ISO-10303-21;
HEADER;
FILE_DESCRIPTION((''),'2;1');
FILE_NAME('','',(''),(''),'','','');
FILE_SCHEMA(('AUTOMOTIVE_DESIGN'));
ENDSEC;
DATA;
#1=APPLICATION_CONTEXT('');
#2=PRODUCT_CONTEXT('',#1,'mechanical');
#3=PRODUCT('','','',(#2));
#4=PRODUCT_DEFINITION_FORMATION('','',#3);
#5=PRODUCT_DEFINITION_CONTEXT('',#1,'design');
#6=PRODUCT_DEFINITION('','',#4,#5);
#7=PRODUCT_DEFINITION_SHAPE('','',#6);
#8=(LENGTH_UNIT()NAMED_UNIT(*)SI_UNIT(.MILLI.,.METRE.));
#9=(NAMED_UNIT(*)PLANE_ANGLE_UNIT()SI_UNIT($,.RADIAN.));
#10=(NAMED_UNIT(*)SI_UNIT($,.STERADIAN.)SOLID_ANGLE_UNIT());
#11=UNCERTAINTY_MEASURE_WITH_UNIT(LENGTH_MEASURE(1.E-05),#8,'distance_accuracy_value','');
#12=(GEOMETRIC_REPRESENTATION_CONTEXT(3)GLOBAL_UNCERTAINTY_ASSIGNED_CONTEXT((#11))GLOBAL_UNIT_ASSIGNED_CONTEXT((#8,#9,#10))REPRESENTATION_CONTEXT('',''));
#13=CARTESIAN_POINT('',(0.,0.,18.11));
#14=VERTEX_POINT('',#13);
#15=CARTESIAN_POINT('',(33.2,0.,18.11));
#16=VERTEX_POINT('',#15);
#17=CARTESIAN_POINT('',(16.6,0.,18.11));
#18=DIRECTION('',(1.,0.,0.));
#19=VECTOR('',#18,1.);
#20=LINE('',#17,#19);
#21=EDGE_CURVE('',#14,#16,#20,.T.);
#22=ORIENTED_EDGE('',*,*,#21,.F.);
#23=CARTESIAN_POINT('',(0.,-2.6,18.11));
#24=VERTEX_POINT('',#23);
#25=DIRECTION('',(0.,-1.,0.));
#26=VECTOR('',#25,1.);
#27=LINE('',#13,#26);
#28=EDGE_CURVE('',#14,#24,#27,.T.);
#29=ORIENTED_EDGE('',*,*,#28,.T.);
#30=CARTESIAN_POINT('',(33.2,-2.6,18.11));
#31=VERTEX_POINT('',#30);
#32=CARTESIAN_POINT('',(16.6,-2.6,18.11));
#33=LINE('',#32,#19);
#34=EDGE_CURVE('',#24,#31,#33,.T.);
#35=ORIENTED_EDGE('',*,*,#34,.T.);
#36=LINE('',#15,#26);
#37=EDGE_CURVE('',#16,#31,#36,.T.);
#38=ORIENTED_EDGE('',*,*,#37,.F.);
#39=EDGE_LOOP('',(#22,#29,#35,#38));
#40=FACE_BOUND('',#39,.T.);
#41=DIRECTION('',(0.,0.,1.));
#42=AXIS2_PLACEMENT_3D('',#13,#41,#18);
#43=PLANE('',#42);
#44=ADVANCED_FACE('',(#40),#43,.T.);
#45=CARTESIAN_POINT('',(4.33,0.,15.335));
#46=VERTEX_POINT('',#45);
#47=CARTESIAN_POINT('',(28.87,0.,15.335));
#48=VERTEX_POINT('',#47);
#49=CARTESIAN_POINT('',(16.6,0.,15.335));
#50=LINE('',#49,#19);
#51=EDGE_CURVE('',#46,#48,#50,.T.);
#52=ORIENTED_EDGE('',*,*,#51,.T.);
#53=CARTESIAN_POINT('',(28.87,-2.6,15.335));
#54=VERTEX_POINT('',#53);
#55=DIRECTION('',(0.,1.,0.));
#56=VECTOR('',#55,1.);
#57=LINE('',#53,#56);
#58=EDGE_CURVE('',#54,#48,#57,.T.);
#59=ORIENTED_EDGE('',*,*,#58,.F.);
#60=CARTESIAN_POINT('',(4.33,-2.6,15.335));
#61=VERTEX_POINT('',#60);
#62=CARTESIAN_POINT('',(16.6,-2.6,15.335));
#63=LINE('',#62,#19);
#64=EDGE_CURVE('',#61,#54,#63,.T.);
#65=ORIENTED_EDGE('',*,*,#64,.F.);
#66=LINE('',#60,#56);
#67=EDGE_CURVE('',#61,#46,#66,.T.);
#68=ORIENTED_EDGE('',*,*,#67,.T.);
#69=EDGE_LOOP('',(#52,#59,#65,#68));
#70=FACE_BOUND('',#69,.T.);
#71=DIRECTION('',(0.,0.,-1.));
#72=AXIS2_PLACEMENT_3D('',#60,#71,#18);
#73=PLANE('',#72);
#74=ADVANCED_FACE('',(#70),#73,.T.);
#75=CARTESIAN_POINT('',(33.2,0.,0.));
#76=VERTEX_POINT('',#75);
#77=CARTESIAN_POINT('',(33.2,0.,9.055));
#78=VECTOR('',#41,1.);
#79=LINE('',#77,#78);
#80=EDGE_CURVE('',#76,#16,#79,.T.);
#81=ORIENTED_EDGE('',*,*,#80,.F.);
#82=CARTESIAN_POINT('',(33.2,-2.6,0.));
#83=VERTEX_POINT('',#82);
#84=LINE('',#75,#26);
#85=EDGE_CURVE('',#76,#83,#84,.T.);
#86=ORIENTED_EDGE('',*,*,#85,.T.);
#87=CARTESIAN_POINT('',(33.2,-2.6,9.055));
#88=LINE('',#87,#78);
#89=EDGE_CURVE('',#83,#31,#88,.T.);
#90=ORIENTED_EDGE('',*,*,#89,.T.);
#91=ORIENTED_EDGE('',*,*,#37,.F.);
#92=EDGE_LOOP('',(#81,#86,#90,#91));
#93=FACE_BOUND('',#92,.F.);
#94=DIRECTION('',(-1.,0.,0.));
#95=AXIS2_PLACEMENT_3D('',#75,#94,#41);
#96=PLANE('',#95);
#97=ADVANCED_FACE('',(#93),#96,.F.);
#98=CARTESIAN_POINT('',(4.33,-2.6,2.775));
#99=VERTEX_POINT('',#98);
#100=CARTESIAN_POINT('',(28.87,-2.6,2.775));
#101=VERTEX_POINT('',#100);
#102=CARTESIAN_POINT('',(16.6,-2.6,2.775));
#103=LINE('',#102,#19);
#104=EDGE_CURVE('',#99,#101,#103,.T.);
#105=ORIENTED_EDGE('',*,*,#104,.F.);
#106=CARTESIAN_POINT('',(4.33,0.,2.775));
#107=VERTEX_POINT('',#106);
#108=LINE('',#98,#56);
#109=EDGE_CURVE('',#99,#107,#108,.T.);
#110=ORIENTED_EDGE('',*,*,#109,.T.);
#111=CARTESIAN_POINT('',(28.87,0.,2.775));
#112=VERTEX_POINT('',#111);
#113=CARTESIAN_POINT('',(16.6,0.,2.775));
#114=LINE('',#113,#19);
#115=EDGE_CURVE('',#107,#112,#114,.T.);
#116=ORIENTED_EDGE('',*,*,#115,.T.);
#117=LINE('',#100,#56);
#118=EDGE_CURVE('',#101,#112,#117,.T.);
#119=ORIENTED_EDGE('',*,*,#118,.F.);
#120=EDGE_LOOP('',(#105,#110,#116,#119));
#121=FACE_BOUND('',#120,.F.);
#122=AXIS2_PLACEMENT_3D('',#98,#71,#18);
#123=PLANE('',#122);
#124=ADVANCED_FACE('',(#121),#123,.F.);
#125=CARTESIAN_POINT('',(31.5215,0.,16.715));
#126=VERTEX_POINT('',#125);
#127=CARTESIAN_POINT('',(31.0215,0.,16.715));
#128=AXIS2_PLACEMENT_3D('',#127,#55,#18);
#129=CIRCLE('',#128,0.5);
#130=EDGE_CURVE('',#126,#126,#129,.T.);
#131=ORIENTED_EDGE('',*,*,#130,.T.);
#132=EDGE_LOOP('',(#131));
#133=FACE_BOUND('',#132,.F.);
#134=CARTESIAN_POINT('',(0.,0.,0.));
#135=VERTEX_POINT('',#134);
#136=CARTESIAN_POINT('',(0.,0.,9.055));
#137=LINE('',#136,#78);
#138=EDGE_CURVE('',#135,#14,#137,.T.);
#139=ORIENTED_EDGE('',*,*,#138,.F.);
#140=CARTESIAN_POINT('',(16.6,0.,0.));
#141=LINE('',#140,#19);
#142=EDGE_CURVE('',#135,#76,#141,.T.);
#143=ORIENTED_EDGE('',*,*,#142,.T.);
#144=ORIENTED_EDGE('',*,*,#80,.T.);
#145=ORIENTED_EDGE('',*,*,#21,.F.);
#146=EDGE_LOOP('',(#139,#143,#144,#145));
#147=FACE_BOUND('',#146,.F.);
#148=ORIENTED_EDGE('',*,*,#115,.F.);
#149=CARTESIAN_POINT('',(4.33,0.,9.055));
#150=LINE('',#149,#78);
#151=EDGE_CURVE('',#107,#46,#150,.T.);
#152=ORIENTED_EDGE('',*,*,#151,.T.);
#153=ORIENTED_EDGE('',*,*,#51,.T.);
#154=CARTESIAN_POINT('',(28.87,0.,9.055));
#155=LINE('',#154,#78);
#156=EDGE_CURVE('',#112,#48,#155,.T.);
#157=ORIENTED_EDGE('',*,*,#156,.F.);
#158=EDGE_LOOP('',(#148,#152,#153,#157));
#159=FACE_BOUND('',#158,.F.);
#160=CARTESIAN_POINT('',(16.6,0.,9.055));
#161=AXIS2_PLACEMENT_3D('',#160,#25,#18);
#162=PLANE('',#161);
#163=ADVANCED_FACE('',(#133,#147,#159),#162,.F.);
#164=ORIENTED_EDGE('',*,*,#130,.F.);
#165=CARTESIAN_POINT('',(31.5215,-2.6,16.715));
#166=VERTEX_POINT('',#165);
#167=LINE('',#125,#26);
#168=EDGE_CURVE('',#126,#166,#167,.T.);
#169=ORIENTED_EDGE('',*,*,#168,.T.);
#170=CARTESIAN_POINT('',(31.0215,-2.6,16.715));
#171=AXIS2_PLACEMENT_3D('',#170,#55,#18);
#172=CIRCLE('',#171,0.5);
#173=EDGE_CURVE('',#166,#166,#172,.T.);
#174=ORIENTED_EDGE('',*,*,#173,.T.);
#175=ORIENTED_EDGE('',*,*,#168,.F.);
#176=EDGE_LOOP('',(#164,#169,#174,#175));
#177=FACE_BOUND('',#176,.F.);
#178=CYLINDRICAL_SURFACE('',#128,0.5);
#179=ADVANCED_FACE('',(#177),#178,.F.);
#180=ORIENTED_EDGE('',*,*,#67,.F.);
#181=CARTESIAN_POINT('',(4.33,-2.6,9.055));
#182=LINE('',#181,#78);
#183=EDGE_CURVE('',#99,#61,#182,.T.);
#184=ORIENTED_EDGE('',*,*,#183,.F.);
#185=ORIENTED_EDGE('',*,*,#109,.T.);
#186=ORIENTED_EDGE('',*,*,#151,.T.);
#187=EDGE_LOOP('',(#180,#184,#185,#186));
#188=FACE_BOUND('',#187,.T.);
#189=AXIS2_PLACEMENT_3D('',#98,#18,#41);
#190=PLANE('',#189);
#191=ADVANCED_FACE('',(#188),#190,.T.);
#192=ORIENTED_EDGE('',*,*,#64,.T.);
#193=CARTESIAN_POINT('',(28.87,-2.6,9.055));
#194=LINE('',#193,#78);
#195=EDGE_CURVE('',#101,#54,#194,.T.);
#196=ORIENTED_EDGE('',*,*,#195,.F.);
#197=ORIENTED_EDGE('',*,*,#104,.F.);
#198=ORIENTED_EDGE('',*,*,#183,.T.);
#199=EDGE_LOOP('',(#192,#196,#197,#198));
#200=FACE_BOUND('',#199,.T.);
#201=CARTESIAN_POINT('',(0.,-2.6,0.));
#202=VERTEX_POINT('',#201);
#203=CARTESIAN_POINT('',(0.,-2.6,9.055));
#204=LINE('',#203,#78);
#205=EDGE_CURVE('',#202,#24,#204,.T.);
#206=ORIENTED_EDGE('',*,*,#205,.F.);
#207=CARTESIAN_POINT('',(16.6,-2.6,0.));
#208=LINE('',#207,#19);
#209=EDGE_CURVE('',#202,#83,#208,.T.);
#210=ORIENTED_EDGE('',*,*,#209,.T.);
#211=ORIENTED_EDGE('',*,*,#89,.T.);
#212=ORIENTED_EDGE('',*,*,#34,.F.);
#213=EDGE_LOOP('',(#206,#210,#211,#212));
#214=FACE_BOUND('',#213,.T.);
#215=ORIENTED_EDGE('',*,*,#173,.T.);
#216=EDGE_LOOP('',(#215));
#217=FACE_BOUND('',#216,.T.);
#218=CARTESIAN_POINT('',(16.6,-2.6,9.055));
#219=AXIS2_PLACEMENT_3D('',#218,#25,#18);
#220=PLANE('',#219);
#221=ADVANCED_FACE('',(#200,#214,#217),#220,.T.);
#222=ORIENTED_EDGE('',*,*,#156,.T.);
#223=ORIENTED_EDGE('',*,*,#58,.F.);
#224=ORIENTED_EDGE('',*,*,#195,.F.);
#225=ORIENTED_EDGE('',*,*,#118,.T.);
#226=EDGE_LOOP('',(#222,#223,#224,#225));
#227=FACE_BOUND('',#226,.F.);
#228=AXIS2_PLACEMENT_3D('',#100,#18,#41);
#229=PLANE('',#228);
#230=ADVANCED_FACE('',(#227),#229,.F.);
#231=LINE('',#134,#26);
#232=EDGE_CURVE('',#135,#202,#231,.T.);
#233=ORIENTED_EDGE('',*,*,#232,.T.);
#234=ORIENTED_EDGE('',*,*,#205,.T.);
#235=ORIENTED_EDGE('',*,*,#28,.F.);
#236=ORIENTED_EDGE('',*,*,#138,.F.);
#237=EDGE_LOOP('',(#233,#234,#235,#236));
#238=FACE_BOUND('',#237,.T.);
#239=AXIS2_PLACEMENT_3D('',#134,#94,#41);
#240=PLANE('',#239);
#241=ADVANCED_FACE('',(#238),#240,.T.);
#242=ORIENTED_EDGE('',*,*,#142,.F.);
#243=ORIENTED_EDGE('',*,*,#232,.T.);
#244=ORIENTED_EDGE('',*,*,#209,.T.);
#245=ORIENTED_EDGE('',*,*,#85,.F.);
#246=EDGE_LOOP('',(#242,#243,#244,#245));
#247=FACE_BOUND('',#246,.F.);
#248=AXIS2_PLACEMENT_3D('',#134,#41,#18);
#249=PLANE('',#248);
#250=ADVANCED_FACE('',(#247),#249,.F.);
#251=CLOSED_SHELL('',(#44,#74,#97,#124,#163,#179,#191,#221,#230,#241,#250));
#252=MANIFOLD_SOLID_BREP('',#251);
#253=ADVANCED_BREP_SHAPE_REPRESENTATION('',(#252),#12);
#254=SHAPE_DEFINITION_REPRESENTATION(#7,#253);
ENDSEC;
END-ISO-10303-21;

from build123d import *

# Parameters (mm, degrees)
SKETCH_W        = 33.2
SKETCH_H        = 18.11
PAD_DEPTH       = 2.6
SKETCH002_W     = 24.54
SKETCH002_H     = 12.56
POCKET_DEPTH    = 2.6
SKETCH003_R     = 0.5
POCKET001_DEPTH = 5


with BuildPart() as part:
    # Sketch → Pad (new body)
    with BuildSketch(Plane.XZ):
        with Locations((16.6, 9.055)):
            Rectangle(SKETCH_W, SKETCH_H)
    extrude(amount=PAD_DEPTH)

    # Sketch002 (on Face6 of Pad) → Pocket (cut)
    with BuildSketch(Plane.XZ.offset(2.6)):
        with Locations((16.6, 9.055)):
            Rectangle(SKETCH002_W, SKETCH002_H)
    extrude(amount=-POCKET_DEPTH, mode=Mode.SUBTRACT)

    # Sketch003 (on Face4 of Pocket) → Pocket001 (cut)
    with BuildSketch(Plane(origin=(0, 0, 0), x_dir=(1, 0, 0), z_dir=(0, 1, 0))):
        with Locations((31.0215, -16.715)):
            Circle(SKETCH003_R)
    extrude(amount=-POCKET001_DEPTH, mode=Mode.SUBTRACT)


solid = part.part
